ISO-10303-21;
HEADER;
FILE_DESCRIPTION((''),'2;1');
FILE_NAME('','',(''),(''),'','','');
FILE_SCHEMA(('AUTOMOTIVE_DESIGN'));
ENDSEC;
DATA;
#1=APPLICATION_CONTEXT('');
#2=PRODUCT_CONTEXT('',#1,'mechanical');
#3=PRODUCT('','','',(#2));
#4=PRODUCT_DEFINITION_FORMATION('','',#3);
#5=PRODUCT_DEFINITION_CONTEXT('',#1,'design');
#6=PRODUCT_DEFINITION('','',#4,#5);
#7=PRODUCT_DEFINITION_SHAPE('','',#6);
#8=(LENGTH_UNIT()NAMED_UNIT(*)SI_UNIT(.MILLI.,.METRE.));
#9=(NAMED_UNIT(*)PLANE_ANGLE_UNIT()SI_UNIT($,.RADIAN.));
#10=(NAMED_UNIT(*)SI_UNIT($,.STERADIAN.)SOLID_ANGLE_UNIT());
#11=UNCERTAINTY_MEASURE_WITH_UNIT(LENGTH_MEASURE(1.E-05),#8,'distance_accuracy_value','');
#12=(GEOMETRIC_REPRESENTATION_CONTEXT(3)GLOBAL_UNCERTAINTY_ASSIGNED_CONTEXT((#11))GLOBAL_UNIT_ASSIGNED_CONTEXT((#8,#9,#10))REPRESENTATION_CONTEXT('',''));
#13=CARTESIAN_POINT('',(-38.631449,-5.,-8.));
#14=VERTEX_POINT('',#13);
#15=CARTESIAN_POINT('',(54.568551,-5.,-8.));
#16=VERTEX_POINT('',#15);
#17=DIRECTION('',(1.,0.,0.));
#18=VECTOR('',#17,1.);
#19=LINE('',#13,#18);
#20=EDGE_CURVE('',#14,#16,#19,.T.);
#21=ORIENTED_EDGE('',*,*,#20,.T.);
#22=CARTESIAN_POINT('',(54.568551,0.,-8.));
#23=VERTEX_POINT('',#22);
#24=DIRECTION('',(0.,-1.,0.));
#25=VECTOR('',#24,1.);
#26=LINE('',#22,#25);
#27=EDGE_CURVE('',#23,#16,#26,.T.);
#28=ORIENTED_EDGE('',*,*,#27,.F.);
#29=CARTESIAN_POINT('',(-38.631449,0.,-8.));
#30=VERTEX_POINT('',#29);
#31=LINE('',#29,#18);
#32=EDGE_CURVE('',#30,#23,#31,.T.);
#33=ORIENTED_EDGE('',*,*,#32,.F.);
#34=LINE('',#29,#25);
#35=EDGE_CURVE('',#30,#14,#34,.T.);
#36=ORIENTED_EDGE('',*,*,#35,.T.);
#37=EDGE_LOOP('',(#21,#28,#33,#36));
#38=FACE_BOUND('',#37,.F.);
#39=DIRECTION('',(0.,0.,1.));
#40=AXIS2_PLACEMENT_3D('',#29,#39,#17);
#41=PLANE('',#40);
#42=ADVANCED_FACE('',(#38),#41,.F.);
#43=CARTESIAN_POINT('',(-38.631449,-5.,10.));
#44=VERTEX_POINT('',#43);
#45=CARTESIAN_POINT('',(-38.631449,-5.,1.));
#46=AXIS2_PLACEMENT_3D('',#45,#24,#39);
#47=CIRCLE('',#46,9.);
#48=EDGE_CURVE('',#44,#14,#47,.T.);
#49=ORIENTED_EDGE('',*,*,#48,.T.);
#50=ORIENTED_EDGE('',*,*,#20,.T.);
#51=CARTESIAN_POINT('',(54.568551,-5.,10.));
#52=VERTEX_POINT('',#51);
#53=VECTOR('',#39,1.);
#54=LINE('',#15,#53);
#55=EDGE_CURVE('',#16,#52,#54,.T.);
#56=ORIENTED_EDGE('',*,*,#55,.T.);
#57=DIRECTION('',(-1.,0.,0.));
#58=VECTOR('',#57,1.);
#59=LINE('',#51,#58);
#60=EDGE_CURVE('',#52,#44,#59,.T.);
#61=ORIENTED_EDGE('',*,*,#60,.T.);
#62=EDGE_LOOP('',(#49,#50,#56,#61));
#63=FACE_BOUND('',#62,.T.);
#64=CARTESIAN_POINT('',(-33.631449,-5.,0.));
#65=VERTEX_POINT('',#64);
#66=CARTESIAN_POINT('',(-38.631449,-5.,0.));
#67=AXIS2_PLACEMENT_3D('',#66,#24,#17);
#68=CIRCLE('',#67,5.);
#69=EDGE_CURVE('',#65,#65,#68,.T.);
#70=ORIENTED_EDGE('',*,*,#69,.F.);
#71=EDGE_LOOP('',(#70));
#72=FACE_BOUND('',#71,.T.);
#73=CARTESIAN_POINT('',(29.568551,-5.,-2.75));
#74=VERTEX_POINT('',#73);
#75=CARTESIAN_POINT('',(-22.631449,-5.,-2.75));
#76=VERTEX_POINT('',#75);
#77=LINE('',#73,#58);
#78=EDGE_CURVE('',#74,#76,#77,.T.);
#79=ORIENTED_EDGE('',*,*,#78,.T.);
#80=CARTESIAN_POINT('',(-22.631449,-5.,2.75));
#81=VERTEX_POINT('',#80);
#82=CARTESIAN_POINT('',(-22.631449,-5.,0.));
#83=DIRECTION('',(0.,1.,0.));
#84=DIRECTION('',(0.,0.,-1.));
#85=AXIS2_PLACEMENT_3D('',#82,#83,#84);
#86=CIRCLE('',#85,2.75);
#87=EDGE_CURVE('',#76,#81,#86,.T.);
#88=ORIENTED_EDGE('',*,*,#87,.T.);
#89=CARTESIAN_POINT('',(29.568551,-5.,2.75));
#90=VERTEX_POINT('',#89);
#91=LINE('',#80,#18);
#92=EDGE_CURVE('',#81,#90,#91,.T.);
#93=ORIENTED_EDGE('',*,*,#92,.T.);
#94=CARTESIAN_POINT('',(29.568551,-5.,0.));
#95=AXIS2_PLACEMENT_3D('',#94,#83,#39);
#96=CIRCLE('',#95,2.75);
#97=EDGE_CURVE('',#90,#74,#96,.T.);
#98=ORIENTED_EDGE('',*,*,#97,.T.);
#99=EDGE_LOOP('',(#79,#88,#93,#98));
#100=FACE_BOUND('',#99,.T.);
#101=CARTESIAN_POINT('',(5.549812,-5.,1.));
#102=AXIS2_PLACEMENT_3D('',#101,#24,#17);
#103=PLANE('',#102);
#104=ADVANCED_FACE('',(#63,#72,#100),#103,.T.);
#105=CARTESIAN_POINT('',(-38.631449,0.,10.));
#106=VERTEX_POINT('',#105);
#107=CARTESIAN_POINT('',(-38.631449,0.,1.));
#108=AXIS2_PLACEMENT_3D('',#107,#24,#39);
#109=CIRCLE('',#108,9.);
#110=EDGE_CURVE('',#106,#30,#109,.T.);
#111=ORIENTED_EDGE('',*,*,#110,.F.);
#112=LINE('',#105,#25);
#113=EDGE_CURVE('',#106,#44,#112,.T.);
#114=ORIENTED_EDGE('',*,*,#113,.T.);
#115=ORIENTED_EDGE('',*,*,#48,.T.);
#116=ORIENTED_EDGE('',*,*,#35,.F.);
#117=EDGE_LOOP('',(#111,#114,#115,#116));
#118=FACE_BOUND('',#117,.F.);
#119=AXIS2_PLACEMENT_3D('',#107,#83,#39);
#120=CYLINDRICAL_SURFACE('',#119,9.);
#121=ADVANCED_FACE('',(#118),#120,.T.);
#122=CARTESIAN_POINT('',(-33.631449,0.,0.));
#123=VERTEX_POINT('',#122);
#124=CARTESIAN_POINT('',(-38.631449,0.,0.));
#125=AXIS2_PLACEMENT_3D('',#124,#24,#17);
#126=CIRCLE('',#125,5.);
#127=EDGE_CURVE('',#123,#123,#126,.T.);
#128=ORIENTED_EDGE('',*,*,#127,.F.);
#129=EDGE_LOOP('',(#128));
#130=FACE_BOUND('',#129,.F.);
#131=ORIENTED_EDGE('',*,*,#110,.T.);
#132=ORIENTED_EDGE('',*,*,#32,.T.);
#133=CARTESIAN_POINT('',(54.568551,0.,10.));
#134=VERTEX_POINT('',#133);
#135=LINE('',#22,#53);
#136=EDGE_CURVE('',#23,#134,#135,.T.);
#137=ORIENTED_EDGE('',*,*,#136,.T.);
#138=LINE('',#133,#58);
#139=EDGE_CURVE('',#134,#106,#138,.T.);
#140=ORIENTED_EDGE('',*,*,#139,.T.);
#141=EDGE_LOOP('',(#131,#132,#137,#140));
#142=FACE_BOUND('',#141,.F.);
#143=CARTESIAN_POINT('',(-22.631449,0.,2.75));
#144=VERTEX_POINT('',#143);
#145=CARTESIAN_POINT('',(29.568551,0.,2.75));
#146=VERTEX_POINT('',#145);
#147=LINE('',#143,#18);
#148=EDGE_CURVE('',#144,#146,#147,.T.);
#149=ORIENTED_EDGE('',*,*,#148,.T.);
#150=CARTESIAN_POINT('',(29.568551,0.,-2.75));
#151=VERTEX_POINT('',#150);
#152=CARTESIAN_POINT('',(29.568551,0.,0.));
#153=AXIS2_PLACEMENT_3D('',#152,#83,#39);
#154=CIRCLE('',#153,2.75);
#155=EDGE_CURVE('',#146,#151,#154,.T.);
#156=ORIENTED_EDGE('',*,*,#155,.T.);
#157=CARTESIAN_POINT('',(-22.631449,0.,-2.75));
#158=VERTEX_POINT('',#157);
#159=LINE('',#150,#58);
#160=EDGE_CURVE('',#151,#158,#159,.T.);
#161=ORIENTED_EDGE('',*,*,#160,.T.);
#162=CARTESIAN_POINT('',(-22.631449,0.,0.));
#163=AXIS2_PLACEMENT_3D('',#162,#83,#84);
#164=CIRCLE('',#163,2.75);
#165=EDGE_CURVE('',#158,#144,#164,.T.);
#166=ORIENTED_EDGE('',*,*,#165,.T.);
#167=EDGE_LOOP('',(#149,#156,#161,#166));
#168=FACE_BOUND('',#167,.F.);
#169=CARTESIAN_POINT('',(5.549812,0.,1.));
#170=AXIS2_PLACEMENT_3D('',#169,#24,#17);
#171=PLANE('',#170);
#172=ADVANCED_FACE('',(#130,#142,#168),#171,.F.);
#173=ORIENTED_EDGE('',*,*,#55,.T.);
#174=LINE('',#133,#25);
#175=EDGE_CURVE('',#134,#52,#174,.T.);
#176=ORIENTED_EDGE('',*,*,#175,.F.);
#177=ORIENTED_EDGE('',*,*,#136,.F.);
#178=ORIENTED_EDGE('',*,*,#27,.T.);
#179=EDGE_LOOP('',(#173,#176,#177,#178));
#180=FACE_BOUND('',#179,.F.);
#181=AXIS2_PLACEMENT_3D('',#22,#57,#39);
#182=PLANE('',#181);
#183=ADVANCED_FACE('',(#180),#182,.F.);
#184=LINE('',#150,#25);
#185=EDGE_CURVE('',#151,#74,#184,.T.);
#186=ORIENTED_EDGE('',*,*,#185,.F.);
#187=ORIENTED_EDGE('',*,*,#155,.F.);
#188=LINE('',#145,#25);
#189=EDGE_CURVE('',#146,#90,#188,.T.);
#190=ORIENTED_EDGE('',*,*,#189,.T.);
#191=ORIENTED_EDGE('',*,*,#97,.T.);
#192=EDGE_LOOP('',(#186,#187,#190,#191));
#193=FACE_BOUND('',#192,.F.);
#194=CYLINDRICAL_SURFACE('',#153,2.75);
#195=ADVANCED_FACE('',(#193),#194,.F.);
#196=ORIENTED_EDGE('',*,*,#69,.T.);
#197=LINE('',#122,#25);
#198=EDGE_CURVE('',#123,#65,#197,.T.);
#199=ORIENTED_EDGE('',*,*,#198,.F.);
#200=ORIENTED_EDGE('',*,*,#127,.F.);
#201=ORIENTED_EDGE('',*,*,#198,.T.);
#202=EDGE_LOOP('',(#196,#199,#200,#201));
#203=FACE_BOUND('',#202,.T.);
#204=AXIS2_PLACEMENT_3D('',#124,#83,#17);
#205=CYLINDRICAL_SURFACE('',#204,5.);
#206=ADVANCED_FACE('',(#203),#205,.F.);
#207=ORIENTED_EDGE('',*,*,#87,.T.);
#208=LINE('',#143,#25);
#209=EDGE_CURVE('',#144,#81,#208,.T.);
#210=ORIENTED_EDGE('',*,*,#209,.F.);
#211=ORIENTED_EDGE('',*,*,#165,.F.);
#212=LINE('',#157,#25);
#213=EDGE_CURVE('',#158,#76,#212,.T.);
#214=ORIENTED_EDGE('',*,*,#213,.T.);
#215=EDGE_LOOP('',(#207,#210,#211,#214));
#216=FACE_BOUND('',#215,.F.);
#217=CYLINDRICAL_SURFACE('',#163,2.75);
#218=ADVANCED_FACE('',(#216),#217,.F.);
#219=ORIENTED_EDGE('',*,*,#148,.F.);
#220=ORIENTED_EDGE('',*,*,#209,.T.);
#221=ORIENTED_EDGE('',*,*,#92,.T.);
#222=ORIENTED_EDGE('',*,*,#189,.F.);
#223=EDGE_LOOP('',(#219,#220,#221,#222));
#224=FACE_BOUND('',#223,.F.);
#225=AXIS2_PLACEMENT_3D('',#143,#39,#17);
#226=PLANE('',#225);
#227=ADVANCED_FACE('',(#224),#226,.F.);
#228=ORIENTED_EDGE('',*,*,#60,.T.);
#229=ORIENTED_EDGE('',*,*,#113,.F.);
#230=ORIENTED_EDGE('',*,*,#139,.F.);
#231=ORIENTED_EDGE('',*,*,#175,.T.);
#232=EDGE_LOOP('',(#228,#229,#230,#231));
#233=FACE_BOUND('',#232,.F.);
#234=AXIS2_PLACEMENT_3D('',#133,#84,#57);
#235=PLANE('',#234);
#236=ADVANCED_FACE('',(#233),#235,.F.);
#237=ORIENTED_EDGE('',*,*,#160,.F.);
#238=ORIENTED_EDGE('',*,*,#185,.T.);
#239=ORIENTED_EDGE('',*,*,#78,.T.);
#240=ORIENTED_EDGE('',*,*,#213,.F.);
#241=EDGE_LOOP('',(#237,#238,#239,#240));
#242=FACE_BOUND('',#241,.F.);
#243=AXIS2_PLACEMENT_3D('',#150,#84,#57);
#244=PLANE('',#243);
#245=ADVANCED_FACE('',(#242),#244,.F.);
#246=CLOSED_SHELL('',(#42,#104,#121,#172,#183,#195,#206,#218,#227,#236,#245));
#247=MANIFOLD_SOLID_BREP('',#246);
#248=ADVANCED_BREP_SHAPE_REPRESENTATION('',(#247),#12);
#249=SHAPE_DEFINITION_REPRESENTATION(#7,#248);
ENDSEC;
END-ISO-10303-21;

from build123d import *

# Parameters (mm, degrees)
F0_R     = 5
F1_DEPTH = 5


with BuildPart() as f1:
    # F0 (on Front) → F1 (new body)
    with BuildSketch(Plane.XZ):
        with BuildLine():
            Line((54.568551, 10), (-38.631449, 10))
            ThreePointArc((-38.631449, 10), (-47.631449, 1), (-38.631449, -8))
            Line((-38.631449, -8), (54.568551, -8))
            Line((54.568551, -8), (54.568551, 10))
        make_face()
        with Locations((-38.631449, 0)):
            Circle(F0_R, mode=Mode.SUBTRACT)
        with BuildLine():
            ThreePointArc((29.568551, 2.75), (32.318551, 0), (29.568551, -2.75))
            Line((29.568551, -2.75), (-22.631449, -2.75))
            ThreePointArc((-22.631449, -2.75), (-25.381449, 0), (-22.631449, 2.75))
            Line((-22.631449, 2.75), (29.568551, 2.75))
        make_face(mode=Mode.SUBTRACT)
    extrude(amount=F1_DEPTH)


solid = f1.part
